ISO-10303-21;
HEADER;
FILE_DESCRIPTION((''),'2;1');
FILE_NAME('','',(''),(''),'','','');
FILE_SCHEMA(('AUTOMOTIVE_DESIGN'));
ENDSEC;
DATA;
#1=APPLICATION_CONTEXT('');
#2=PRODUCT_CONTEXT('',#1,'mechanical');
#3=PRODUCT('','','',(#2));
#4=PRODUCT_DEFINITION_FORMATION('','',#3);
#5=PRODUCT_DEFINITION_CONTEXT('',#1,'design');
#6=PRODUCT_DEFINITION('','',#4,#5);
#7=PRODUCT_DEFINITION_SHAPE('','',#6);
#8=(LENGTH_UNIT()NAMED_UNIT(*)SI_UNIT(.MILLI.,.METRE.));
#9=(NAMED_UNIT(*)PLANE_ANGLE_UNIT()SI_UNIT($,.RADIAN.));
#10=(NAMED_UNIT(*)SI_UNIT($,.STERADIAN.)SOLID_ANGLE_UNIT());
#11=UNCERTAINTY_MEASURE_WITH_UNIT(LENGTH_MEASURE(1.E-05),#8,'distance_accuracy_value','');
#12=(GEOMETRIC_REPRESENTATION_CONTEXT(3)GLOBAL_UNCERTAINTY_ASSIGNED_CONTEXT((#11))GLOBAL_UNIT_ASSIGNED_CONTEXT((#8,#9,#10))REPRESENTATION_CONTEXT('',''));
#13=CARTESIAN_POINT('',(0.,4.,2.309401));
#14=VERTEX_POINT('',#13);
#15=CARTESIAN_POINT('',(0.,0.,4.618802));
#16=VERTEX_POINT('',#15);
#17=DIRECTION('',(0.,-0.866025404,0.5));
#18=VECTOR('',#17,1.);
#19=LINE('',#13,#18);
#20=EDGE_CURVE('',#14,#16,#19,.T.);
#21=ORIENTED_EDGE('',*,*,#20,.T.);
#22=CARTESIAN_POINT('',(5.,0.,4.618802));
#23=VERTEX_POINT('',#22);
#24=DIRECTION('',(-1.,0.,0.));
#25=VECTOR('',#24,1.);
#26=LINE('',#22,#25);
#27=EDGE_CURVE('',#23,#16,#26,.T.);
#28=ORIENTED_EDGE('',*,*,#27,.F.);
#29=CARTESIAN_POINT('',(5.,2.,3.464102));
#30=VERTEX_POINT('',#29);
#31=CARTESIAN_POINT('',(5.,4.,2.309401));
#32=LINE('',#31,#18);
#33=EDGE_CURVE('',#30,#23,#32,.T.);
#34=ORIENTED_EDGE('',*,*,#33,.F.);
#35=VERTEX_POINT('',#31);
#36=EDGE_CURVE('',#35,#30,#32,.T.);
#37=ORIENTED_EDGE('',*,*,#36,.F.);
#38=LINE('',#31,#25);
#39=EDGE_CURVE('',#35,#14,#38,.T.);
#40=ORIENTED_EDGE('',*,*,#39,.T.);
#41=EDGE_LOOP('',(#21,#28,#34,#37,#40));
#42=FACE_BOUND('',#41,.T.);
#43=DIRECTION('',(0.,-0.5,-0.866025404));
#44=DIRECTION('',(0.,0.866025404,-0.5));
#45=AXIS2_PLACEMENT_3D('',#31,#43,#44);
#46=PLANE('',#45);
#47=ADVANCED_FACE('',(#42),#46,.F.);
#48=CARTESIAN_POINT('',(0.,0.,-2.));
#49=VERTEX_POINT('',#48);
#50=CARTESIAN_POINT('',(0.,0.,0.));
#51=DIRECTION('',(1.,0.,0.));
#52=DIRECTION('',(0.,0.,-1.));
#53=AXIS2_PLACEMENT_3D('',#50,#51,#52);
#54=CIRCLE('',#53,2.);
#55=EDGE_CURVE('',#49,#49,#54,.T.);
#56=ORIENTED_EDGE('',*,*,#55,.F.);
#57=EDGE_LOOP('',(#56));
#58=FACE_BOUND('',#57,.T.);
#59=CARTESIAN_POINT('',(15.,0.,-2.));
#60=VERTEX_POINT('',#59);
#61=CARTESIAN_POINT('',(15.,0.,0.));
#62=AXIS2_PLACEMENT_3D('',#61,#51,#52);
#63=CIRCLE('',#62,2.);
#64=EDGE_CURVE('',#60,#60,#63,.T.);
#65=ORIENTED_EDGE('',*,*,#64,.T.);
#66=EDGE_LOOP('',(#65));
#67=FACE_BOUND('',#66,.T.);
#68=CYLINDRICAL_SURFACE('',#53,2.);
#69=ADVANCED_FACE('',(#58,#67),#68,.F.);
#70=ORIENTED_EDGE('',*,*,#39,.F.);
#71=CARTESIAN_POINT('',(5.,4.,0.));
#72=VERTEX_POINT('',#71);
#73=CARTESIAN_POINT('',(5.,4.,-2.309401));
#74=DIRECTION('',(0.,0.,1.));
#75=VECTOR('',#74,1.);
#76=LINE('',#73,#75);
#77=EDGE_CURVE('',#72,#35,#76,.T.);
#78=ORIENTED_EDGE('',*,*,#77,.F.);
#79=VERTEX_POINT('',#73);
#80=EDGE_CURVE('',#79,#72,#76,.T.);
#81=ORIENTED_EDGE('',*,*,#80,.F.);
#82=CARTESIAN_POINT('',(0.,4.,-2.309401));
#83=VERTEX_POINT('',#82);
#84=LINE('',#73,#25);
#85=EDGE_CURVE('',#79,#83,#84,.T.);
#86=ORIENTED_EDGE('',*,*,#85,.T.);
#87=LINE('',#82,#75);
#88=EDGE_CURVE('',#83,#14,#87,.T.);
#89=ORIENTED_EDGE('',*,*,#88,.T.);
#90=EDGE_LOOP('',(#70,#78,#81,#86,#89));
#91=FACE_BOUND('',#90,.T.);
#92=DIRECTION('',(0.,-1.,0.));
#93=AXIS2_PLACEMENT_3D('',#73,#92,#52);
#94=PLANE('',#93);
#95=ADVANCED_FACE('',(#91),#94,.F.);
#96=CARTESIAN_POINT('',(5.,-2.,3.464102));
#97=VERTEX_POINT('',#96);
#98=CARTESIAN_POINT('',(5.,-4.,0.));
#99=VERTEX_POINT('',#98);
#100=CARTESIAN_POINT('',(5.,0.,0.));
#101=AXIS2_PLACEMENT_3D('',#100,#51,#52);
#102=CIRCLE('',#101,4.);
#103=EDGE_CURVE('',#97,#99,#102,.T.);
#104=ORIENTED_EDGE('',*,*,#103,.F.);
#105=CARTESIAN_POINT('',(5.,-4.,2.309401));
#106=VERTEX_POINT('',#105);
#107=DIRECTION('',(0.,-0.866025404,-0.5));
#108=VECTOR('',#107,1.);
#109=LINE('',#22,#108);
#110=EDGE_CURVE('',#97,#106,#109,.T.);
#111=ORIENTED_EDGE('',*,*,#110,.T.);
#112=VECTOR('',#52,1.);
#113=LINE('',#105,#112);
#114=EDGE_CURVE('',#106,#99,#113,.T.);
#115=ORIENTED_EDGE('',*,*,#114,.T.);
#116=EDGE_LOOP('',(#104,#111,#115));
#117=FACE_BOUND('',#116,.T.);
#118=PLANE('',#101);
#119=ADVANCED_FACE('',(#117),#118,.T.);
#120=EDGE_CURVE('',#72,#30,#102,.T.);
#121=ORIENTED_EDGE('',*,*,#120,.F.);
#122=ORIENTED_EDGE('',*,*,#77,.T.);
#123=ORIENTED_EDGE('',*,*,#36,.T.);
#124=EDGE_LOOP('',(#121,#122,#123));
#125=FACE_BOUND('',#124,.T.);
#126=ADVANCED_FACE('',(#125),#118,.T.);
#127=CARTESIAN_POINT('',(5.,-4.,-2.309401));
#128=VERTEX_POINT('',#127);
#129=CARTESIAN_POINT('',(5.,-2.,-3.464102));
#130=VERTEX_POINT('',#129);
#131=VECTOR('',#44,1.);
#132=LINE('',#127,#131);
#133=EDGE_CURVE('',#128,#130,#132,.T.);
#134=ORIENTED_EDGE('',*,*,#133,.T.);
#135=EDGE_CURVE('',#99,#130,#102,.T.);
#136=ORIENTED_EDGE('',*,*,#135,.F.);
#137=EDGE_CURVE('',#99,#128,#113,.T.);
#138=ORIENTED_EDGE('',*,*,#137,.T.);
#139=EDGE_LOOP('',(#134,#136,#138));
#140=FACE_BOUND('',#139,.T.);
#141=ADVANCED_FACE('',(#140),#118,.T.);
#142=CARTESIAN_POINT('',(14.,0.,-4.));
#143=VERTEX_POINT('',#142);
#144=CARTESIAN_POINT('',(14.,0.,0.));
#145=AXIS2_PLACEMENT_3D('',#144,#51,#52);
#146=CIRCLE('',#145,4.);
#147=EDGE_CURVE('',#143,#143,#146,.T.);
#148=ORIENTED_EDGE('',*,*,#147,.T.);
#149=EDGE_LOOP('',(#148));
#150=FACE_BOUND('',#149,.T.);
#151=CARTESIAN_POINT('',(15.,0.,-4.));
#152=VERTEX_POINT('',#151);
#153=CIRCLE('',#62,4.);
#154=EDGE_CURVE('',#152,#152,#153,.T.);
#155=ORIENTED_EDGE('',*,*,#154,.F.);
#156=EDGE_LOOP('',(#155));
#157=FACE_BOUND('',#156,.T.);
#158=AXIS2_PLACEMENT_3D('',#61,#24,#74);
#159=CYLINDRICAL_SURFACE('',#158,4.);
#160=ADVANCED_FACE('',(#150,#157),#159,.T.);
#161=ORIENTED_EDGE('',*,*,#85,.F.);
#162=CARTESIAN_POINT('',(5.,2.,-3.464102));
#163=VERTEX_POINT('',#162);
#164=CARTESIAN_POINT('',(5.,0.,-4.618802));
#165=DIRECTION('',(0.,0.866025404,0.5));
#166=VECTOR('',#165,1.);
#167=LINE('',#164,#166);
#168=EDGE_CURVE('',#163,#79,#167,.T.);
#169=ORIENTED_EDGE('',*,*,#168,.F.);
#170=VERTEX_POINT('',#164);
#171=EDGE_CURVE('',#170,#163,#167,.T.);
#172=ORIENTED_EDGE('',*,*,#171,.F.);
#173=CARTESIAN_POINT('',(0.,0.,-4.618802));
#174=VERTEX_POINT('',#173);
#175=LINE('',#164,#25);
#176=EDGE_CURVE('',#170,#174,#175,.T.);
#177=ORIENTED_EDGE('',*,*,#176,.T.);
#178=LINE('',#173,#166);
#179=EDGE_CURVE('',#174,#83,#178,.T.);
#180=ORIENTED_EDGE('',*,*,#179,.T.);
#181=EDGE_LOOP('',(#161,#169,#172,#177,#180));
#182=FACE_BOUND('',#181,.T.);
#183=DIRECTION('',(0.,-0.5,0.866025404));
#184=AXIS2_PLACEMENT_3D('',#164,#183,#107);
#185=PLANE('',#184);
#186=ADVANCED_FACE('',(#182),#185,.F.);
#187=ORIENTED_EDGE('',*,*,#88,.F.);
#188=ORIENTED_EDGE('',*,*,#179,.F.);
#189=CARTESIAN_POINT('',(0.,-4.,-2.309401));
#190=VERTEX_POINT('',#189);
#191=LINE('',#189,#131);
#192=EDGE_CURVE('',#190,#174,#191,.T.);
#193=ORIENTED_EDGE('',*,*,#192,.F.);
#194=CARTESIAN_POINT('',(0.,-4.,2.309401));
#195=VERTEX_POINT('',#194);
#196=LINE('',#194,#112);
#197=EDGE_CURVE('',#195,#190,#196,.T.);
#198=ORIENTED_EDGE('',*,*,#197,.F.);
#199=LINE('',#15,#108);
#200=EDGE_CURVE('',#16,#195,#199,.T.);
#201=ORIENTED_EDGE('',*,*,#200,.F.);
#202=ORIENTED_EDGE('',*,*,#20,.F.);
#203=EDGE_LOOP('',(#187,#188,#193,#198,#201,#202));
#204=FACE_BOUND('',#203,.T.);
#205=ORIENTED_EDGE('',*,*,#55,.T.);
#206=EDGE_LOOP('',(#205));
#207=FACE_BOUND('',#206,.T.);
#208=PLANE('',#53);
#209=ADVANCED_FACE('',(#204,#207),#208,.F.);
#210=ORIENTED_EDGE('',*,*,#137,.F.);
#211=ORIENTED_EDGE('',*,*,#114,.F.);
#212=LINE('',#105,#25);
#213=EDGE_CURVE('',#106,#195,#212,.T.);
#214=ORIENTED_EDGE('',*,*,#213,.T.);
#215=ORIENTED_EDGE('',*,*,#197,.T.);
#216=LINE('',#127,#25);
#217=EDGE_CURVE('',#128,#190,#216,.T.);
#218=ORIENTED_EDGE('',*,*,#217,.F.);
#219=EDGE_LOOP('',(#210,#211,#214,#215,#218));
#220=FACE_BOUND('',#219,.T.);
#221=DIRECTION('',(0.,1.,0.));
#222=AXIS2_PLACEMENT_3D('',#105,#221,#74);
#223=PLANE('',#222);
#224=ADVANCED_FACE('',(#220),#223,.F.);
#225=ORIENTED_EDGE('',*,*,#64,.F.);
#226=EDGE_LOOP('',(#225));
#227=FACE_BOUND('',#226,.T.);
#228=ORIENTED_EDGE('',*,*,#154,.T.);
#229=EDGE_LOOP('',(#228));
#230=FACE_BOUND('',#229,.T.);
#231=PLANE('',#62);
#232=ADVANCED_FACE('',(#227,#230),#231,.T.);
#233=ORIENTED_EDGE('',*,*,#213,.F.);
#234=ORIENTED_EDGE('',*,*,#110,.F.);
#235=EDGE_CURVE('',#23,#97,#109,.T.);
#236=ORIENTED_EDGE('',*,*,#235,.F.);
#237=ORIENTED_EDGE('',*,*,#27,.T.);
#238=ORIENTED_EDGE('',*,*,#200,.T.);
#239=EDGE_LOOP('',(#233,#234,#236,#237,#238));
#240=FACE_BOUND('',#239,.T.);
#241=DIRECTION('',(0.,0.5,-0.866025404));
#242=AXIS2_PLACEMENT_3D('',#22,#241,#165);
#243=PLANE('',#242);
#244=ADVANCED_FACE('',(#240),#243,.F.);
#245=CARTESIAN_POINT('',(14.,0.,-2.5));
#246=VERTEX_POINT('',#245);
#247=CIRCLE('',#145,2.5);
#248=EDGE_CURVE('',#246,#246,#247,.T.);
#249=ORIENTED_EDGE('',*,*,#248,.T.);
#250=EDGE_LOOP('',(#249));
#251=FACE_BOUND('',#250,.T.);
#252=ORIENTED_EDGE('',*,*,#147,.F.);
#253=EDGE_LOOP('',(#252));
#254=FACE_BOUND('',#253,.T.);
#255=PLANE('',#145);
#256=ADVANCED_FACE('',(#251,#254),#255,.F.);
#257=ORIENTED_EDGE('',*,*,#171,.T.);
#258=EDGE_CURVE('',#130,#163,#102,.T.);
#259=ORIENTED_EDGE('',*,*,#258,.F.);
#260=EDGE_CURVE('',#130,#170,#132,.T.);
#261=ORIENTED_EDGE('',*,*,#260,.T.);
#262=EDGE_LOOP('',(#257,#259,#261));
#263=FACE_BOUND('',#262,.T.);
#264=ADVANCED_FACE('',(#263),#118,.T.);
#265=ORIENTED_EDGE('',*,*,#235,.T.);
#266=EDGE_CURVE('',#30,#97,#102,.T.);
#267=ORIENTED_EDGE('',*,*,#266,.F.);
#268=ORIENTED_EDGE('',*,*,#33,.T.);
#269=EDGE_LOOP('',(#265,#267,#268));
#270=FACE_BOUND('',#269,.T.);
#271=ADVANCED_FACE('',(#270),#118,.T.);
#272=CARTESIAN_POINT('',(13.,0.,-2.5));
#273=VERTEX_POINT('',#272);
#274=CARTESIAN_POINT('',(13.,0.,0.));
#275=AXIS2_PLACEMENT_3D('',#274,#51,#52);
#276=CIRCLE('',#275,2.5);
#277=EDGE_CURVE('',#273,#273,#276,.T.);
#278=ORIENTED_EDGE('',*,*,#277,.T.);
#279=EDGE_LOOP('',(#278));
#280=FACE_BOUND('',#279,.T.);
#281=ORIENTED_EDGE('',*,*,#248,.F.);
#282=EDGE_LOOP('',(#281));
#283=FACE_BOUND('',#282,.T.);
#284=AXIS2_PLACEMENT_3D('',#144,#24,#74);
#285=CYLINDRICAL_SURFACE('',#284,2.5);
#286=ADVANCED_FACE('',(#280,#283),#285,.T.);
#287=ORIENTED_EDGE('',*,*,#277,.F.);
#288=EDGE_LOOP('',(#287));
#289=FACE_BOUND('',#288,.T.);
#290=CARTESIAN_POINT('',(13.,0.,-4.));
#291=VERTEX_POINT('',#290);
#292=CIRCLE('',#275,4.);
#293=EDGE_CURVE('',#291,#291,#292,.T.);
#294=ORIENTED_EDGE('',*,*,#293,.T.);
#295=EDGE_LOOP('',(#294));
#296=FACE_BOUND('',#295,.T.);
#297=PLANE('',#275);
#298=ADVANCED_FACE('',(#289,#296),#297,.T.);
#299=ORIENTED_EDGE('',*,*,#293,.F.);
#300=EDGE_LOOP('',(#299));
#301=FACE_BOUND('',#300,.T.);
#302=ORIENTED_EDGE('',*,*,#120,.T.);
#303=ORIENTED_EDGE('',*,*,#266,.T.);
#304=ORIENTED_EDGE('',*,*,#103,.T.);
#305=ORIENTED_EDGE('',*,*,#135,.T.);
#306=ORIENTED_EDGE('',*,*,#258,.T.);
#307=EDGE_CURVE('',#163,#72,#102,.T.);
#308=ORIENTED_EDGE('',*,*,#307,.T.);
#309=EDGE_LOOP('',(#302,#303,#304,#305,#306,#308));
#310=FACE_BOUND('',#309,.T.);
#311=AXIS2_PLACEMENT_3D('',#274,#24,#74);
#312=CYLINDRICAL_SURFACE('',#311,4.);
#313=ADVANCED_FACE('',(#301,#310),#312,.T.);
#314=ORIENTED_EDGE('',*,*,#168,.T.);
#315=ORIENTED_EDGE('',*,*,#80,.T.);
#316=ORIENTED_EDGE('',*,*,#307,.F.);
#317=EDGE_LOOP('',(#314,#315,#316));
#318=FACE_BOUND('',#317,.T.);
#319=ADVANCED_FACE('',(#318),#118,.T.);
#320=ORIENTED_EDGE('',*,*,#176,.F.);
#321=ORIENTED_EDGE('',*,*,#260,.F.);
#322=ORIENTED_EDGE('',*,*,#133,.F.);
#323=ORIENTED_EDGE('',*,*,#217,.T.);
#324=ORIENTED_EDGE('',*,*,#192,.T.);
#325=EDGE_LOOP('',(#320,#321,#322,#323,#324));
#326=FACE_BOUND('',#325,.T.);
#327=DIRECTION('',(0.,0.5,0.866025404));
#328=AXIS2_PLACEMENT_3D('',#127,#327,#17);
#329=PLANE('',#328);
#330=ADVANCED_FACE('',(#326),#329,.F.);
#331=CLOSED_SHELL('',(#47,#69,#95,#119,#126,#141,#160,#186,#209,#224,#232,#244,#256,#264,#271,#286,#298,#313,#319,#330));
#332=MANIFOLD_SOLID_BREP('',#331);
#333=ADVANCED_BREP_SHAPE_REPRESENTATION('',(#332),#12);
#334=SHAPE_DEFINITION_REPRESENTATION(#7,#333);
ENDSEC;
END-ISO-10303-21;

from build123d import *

# Parameters (mm, degrees)
EXTRUDE_1_DEPTH     = 5
SKETCH_2_R          = 4
EXTRUDE_2_DEPTH     = 8
SKETCH_3_R          = 2.5
EXTRUDE_3_DEPTH     = 1
SKETCH_4_R          = 4
EXTRUDE_4_DEPTH     = 1
SKETCH_5_R          = 2
CUT_EXTRUDE_1_DEPTH = 17.196707484


with BuildPart() as part:
    # 草图1 → 凸台-拉伸1 (new body)
    with BuildSketch(Plane(origin=(0, 0, 0), x_dir=(0, 0, -1), z_dir=(1, 0, 0))):
        Polygon((-2.309401077, 4), (-4.618802154, 0), (-2.309401077, -4), (2.309401077, -4), (4.618802154, 0), (2.309401077, 4), align=None)
    extrude(amount=EXTRUDE_1_DEPTH)

    # 草图2 → 凸台-拉伸2 (add)
    with BuildSketch(Plane(origin=(5, 0, 0), x_dir=(0, 0, -1), z_dir=(1, 0, 0))):
        with Locations(Location((0, 0, 0), (0, 0, 150))):
            Circle(SKETCH_2_R)
    extrude(amount=EXTRUDE_2_DEPTH)

    # 草图3 → 凸台-拉伸3 (add)
    with BuildSketch(Plane(origin=(13, 0, 0), x_dir=(0, 0, -1), z_dir=(1, 0, 0))):
        Circle(SKETCH_3_R)
    extrude(amount=EXTRUDE_3_DEPTH)

    # 草图4 → 凸台-拉伸4 (add)
    with BuildSketch(Plane(origin=(14, 0, 0), x_dir=(0, 0, -1), z_dir=(1, 0, 0))):
        with Locations(Location((0, 0, 0), (0, 0, 150))):
            Circle(SKETCH_4_R)
    extrude(amount=EXTRUDE_4_DEPTH)

    # 草图5 → 切除-拉伸1 (cut, through all)
    with BuildSketch(Plane(origin=(15, 0, 0), x_dir=(0, 0, -1), z_dir=(1, 0, 0))):
        Circle(SKETCH_5_R)
    extrude(amount=-CUT_EXTRUDE_1_DEPTH, mode=Mode.SUBTRACT)


solid = part.part
